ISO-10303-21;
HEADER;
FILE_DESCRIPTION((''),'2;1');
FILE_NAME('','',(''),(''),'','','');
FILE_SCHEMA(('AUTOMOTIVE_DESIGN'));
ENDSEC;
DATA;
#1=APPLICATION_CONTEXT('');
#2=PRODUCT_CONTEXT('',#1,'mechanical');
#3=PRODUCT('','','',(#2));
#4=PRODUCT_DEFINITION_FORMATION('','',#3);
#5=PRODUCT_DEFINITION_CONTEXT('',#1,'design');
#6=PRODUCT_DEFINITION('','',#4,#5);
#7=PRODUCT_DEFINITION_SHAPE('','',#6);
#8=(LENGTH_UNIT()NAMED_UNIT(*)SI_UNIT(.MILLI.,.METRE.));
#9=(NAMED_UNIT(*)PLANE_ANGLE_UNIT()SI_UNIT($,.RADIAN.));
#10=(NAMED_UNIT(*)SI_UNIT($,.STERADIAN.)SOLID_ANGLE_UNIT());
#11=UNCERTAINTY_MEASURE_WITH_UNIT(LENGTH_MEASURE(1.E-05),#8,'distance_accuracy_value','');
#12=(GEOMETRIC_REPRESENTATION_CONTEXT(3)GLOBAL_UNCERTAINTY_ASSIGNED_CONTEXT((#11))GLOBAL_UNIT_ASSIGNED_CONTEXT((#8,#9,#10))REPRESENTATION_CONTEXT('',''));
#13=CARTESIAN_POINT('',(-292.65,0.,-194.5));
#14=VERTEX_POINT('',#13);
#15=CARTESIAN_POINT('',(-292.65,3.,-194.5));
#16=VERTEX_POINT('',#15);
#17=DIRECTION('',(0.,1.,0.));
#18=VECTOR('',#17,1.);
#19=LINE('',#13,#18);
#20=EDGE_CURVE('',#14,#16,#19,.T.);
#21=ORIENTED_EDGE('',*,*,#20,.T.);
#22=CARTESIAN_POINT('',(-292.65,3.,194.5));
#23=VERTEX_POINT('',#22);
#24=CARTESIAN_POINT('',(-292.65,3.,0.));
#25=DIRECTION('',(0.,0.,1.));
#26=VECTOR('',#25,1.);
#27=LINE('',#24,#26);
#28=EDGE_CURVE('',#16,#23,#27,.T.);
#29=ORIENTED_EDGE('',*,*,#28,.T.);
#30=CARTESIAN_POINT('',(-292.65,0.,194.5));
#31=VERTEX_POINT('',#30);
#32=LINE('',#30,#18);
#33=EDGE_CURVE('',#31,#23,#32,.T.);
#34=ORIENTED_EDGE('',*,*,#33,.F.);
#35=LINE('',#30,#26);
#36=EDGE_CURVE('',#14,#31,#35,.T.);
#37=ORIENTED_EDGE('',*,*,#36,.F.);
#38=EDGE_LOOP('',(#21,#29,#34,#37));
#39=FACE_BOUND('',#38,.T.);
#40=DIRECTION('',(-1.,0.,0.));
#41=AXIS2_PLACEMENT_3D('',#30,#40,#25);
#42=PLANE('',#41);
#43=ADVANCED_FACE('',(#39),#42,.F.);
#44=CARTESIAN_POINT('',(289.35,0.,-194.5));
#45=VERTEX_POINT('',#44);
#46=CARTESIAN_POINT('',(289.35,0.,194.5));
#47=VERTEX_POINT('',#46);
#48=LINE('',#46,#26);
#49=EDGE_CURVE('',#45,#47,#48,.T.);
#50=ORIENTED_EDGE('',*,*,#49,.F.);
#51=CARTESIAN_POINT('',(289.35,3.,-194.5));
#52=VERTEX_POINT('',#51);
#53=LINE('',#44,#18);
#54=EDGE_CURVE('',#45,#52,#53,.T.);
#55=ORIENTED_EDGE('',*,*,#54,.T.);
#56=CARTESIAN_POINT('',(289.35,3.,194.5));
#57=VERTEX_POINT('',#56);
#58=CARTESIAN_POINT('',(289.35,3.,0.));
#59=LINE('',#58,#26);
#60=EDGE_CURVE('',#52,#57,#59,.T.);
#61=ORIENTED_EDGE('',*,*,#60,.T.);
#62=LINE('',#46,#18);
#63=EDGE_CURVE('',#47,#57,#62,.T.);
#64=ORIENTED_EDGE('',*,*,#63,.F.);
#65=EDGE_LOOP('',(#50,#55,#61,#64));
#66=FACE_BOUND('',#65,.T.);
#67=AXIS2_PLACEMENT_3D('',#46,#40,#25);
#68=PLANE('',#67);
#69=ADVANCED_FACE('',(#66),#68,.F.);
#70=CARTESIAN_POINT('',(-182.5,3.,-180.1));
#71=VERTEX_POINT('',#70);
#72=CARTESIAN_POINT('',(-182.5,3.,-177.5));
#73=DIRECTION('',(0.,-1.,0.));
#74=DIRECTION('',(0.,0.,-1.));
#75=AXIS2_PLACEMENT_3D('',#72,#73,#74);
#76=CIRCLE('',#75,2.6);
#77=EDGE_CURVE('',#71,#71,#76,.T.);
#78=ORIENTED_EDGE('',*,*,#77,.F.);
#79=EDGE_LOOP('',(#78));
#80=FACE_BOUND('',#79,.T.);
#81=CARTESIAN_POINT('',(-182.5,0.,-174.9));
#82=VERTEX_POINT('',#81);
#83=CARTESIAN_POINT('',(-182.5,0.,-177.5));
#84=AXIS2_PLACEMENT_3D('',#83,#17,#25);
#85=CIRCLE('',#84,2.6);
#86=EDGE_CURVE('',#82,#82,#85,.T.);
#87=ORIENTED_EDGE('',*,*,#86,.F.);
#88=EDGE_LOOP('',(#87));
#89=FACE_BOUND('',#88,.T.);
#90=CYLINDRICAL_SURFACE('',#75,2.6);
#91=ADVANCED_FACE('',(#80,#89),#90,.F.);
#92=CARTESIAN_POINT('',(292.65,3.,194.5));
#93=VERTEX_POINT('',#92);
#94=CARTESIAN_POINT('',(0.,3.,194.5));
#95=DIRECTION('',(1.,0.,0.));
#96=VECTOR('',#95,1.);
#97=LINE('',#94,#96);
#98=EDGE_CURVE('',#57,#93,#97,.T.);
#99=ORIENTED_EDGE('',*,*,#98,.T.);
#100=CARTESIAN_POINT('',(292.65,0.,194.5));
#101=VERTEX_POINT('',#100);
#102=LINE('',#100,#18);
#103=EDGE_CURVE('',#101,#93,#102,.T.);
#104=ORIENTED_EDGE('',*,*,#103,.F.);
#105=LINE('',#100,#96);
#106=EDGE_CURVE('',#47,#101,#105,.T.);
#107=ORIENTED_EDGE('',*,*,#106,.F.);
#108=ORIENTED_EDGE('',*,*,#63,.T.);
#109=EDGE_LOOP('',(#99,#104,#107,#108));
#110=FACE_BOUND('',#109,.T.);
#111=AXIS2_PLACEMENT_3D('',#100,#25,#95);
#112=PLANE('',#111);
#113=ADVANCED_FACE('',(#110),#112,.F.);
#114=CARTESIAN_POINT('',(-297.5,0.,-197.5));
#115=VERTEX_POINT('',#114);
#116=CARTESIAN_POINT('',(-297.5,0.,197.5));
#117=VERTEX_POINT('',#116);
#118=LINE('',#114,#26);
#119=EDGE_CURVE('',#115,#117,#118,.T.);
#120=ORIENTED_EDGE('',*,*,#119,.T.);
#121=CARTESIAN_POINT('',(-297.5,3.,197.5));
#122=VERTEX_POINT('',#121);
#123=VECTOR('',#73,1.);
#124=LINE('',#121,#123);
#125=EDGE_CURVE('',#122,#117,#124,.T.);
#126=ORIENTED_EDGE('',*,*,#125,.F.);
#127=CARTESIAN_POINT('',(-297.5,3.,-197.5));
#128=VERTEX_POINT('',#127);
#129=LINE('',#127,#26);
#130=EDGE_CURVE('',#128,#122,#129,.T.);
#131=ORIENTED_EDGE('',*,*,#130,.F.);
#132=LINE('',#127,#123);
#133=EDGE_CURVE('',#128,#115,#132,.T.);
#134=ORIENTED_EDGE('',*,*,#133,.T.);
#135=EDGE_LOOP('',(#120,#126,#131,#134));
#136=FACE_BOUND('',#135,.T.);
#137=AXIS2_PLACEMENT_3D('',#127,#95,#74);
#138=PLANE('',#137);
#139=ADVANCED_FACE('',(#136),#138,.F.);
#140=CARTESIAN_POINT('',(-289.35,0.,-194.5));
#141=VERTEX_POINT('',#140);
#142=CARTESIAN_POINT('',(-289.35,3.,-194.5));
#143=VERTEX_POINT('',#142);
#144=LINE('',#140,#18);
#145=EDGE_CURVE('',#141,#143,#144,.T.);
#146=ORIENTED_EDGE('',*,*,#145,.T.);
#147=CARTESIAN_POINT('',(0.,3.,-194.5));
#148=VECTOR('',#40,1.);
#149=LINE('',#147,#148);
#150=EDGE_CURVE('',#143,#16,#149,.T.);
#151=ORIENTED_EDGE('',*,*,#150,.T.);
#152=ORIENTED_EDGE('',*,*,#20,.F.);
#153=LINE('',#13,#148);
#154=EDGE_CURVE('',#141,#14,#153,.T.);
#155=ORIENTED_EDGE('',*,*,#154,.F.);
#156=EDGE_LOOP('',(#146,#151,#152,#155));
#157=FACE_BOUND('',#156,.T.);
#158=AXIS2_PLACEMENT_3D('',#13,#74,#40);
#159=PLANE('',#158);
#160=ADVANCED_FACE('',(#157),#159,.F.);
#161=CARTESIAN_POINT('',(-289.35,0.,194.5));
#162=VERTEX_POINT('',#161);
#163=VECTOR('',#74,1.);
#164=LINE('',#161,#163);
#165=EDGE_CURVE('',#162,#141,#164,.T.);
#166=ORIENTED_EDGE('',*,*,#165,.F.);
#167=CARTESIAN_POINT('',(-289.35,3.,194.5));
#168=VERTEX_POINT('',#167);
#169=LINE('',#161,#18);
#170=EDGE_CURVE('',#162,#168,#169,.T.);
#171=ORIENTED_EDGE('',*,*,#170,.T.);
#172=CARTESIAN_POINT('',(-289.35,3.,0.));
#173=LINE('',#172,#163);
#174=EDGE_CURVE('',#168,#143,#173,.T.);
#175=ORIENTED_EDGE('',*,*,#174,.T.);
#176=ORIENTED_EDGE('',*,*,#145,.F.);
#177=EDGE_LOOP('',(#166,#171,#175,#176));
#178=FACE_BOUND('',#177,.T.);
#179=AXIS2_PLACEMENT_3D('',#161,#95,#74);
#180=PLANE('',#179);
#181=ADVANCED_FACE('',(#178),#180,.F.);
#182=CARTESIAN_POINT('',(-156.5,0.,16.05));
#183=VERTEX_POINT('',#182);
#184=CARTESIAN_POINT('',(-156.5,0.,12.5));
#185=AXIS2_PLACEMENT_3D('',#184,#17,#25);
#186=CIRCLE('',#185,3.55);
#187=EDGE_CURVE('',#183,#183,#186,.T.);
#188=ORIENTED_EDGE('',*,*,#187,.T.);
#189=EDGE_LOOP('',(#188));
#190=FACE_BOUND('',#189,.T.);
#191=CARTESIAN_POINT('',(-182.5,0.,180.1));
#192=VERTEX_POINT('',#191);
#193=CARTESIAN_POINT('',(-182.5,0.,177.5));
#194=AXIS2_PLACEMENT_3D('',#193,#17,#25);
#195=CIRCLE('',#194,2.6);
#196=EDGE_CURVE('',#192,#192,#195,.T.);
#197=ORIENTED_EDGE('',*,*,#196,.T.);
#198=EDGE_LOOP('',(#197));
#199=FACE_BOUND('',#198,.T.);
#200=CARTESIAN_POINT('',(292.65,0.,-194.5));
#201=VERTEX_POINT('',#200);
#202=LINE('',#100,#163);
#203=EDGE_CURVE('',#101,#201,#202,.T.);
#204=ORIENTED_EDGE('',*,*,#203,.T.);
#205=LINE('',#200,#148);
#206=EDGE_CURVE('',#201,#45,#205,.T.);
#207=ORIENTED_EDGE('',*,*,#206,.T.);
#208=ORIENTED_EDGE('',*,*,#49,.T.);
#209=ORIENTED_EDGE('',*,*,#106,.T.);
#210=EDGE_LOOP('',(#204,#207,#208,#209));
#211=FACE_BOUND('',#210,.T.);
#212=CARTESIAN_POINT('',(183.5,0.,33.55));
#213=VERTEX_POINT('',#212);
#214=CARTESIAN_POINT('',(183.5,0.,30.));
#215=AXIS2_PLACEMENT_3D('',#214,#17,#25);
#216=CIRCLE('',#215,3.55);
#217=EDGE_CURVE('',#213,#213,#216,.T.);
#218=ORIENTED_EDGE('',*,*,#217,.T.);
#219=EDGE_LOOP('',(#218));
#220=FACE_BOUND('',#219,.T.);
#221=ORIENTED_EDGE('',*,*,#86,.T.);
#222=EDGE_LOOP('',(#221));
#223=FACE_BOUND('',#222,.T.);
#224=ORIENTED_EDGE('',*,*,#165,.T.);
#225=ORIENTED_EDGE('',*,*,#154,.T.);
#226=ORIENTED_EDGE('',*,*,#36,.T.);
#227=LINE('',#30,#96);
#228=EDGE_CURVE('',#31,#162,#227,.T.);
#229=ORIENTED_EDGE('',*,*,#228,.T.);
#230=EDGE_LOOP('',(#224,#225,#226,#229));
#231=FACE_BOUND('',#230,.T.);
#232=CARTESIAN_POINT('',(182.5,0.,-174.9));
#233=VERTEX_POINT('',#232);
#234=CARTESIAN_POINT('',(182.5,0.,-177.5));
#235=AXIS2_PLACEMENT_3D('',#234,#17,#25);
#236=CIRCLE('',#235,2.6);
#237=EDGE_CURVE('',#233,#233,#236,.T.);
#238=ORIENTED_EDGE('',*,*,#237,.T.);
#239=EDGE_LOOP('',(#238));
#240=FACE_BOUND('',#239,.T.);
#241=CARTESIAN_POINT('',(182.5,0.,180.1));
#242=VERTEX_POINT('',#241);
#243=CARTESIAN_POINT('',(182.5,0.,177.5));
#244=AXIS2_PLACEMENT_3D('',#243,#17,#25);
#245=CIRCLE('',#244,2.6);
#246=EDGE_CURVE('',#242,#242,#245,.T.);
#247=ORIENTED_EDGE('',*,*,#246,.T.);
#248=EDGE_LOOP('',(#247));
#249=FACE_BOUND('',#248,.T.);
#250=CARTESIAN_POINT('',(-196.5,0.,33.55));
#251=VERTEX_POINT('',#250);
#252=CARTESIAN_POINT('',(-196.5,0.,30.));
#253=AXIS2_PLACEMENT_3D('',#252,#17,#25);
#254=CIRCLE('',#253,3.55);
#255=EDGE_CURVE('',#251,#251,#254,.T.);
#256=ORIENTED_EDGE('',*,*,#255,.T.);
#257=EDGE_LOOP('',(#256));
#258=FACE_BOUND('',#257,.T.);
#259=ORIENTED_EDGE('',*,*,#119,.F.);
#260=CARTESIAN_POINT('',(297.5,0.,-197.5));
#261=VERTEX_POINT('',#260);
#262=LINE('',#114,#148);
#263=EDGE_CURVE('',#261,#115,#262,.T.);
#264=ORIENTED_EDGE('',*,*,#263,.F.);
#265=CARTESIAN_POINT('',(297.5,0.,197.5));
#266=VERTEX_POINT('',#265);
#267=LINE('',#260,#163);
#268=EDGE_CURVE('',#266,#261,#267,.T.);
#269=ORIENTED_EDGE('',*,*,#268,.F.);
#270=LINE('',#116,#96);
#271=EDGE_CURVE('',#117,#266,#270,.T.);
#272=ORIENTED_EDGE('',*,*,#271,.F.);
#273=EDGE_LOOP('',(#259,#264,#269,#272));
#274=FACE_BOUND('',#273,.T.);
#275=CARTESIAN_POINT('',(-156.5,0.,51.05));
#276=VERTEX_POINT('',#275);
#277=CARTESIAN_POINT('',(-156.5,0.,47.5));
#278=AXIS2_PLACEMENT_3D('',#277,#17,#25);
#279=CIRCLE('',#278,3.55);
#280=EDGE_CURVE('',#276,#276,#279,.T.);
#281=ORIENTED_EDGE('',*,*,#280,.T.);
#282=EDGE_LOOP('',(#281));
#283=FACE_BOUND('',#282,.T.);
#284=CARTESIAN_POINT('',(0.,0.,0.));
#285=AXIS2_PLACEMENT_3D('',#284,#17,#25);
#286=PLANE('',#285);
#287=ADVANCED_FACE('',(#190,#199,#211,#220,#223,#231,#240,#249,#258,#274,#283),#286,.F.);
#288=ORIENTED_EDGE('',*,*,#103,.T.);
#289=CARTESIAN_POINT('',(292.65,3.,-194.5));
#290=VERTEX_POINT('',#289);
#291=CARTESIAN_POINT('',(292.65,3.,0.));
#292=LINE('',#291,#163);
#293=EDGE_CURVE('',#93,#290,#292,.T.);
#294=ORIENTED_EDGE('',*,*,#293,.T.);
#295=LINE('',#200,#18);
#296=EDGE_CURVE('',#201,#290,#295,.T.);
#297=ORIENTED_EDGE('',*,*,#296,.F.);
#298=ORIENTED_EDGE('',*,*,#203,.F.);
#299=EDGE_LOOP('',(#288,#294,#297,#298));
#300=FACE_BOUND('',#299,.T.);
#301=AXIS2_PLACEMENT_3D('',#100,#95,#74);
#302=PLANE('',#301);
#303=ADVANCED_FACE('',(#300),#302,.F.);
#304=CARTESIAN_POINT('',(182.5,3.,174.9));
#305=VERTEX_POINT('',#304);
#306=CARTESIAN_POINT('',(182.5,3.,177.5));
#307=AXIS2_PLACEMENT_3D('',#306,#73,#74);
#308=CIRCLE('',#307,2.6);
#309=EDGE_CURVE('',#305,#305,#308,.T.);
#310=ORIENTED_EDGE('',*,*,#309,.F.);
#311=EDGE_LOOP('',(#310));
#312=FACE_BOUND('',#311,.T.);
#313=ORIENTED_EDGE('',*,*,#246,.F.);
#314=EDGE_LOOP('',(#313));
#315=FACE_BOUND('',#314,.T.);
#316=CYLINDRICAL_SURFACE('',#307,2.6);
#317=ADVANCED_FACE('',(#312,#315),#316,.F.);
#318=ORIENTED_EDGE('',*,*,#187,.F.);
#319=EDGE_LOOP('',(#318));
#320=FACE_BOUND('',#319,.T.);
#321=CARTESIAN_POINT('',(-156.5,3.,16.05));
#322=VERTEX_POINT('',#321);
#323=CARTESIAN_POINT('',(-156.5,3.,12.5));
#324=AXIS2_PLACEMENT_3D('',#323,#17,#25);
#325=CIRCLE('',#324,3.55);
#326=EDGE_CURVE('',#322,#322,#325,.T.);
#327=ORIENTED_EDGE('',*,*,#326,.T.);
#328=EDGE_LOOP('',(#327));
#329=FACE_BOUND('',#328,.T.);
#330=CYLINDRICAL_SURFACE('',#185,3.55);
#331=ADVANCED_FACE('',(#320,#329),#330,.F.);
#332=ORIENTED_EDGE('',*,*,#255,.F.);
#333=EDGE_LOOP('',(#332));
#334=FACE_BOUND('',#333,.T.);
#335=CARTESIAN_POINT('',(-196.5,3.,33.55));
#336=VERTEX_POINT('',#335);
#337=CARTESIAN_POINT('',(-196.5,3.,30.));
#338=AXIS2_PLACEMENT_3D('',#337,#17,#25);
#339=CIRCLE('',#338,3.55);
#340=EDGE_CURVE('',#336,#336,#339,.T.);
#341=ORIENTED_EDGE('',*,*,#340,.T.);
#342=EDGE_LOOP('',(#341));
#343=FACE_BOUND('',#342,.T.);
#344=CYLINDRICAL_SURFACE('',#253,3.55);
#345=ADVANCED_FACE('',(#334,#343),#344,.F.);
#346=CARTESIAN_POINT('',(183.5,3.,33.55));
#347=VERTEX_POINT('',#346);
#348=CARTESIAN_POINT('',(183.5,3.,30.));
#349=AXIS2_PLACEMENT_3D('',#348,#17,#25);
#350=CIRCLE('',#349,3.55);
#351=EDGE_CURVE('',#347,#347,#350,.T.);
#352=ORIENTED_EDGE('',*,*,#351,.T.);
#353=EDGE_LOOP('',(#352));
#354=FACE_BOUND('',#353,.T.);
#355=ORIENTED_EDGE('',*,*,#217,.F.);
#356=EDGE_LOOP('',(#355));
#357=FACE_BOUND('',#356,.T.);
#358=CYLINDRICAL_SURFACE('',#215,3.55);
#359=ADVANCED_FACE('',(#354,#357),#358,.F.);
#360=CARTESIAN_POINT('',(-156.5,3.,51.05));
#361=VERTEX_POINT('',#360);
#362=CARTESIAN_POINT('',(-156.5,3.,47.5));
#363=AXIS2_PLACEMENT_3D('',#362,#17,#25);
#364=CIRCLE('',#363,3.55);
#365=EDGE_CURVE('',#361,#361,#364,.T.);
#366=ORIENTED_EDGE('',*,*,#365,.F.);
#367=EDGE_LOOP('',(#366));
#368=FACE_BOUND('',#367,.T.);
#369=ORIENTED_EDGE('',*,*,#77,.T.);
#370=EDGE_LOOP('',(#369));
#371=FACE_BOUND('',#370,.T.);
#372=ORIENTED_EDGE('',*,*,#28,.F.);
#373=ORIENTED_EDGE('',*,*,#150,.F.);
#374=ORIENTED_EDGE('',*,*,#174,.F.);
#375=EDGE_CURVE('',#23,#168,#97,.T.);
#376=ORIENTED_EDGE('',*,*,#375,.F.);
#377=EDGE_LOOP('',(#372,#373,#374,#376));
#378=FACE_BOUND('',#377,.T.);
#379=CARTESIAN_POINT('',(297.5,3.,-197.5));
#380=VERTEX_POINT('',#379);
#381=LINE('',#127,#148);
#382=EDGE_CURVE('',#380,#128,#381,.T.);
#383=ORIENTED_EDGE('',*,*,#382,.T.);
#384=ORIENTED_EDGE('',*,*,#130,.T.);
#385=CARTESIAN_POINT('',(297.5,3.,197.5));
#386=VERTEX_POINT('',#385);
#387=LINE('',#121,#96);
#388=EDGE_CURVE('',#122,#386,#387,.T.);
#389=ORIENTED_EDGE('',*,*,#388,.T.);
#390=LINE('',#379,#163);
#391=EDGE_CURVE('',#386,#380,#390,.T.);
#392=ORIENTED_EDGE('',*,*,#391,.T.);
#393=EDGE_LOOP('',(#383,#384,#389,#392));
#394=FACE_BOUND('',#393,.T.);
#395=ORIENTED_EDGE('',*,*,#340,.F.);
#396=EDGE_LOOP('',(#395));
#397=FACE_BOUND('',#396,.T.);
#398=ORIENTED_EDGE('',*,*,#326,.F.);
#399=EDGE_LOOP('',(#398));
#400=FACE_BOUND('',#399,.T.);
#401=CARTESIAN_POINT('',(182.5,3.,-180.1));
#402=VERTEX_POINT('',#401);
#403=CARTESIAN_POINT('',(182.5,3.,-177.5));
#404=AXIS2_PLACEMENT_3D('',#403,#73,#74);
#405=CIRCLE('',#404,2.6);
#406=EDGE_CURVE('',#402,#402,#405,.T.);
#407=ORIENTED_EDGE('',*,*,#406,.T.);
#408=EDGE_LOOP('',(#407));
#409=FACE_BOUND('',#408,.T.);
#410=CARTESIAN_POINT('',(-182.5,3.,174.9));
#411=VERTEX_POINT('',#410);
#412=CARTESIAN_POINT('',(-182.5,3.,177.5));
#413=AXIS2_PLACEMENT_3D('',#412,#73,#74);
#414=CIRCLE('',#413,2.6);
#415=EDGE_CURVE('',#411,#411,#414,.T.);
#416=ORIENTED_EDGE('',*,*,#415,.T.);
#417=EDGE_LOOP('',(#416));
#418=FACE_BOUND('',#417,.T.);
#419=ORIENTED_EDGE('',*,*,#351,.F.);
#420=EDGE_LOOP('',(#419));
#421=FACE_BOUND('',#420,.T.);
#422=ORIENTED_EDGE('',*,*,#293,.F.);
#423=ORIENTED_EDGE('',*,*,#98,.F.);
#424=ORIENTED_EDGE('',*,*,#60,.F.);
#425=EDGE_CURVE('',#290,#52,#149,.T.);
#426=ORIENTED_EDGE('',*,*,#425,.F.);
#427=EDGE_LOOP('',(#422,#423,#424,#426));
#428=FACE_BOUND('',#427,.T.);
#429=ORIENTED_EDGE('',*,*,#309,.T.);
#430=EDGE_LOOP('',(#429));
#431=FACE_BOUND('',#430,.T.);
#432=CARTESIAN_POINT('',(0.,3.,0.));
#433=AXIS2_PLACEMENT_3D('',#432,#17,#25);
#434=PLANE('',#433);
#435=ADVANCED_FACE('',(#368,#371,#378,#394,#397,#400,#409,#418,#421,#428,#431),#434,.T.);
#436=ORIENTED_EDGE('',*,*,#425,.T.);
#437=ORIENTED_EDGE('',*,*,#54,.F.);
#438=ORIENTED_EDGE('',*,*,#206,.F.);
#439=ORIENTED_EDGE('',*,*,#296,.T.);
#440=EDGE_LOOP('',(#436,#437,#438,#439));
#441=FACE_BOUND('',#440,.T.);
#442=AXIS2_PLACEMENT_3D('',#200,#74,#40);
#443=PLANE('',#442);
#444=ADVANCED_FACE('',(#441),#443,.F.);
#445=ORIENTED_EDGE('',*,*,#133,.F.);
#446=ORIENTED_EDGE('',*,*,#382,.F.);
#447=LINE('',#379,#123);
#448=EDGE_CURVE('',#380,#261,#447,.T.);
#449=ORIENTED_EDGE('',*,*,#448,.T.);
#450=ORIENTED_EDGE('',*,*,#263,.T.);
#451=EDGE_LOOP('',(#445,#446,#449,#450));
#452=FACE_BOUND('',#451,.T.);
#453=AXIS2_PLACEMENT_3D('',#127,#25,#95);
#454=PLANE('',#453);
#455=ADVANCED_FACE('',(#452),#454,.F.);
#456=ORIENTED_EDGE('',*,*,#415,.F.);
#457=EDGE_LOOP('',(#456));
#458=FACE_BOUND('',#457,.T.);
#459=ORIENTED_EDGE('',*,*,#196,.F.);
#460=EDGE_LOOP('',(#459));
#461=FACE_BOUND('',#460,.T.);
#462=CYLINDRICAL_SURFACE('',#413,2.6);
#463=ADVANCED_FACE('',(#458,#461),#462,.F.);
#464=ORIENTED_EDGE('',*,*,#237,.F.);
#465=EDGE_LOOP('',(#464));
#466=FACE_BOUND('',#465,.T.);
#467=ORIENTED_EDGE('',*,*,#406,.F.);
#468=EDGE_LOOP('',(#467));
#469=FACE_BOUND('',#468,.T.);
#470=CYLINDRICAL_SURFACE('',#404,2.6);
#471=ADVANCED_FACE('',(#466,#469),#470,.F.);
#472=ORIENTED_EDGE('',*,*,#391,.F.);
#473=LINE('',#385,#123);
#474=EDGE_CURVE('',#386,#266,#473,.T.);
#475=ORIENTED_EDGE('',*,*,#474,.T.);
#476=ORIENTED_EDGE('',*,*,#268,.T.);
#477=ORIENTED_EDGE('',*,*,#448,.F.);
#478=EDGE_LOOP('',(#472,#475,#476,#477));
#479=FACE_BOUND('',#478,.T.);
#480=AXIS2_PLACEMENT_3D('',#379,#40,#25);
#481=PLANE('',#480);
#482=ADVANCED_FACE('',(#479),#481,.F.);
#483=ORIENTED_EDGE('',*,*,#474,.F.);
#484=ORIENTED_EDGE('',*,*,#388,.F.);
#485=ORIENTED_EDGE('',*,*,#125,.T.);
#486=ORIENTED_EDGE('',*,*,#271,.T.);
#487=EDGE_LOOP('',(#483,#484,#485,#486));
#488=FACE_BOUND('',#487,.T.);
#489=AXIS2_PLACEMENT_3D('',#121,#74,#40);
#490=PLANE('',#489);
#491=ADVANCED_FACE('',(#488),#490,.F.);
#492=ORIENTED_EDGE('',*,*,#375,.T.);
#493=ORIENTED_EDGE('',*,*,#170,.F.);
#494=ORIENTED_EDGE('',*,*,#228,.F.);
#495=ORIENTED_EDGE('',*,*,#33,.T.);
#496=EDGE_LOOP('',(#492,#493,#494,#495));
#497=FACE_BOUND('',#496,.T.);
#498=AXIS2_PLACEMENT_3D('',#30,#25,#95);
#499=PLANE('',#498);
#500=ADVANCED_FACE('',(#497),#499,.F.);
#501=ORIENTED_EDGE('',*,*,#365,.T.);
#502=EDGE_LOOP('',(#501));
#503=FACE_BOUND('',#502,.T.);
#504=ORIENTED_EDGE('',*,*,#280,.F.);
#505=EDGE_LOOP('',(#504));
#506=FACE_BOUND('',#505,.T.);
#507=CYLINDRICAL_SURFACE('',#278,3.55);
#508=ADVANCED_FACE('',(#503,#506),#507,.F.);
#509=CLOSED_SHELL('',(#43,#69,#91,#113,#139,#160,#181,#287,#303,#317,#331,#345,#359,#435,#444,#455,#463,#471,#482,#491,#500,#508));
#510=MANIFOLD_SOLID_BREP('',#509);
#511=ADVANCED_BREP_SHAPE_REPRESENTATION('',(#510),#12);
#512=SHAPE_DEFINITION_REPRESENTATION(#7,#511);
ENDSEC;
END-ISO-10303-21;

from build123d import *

# Parameters (mm, degrees)
SKETCH1_W               = 595
SKETCH1_H               = 395
BOSS_EXTRUDE1_DEPTH     = 3
CUT_EXTRUDE1_DEPTH      = 358.10152618
CUT_EXTRUDE1_DEPTH_BACK = 358.10152618
SKETCH2_R               = 3.55
CUT_EXTRUDE2_DEPTH      = 358.10152618
CUT_EXTRUDE2_DEPTH_BACK = 358.10152618
SKETCH3_W               = 3.3
SKETCH3_H               = 389
CUT_EXTRUDE3_DEPTH      = 358.10152618
CUT_EXTRUDE3_DEPTH_BACK = 358.10152618
SKETCH4_R               = 2.6


with BuildPart() as part:
    # Sketch1 → Boss-Extrude1 (new body)
    with BuildSketch(Plane(origin=(0, 0, 0), x_dir=(1, 0, 0), z_dir=(0, 1, 0))):
        Rectangle(SKETCH1_W, SKETCH1_H)
    extrude(amount=BOSS_EXTRUDE1_DEPTH)

    # Sketch2 → Cut-Extrude1 (cut, two sides: drawn at the far end of the back side and taken through both)
    with BuildSketch(Plane(origin=(0, 3, 0), x_dir=(1, 0, 0), z_dir=(0, 1, 0)).offset(-CUT_EXTRUDE1_DEPTH_BACK)):
        with Locations(Location((-196.5, -30, 0), (0, 0, 270))):
            Circle(SKETCH2_R)
        with Locations(Location((-156.5, -47.5, 0), (0, 0, 270))):
            Circle(SKETCH2_R)
        with Locations(Location((-156.5, -12.5, 0), (0, 0, 270))):
            Circle(SKETCH2_R)
        with Locations(Location((183.5, -30, 0), (0, 0, 270))):
            Circle(SKETCH2_R)
    extrude(amount=CUT_EXTRUDE1_DEPTH + CUT_EXTRUDE1_DEPTH_BACK, mode=Mode.SUBTRACT)

    # Sketch3 → Cut-Extrude2 (cut, two sides: drawn at the far end of the back side and taken through both)
    with BuildSketch(Plane(origin=(0, 3, 0), x_dir=(1, 0, 0), z_dir=(0, 1, 0)).offset(-CUT_EXTRUDE2_DEPTH_BACK)):
        with Locations((291, 0)):
            Rectangle(SKETCH3_W, SKETCH3_H)
        with Locations((-291, 0)):
            Rectangle(SKETCH3_W, SKETCH3_H)
    extrude(amount=CUT_EXTRUDE2_DEPTH + CUT_EXTRUDE2_DEPTH_BACK, mode=Mode.SUBTRACT)

    # Sketch4 → Cut-Extrude3 (cut, two sides: drawn at the far end of the back side and taken through both)
    with BuildSketch(Plane(origin=(0, 0, 0), x_dir=(-1, 0, 0), z_dir=(0, -1, 0)).offset(-CUT_EXTRUDE3_DEPTH_BACK)):
        with Locations(Location((-182.5, -177.5, 0), (0, 0, 90))):
            Circle(SKETCH4_R)
        with Locations(Location((182.5, -177.5, 0), (0, 0, 90))):
            Circle(SKETCH4_R)
        with Locations(Location((182.5, 177.5, 0), (0, 0, 90))):
            Circle(SKETCH4_R)
        with Locations(Location((-182.5, 177.5, 0), (0, 0, 90))):
            Circle(SKETCH4_R)
    extrude(amount=CUT_EXTRUDE3_DEPTH + CUT_EXTRUDE3_DEPTH_BACK, mode=Mode.SUBTRACT)


solid = part.part
